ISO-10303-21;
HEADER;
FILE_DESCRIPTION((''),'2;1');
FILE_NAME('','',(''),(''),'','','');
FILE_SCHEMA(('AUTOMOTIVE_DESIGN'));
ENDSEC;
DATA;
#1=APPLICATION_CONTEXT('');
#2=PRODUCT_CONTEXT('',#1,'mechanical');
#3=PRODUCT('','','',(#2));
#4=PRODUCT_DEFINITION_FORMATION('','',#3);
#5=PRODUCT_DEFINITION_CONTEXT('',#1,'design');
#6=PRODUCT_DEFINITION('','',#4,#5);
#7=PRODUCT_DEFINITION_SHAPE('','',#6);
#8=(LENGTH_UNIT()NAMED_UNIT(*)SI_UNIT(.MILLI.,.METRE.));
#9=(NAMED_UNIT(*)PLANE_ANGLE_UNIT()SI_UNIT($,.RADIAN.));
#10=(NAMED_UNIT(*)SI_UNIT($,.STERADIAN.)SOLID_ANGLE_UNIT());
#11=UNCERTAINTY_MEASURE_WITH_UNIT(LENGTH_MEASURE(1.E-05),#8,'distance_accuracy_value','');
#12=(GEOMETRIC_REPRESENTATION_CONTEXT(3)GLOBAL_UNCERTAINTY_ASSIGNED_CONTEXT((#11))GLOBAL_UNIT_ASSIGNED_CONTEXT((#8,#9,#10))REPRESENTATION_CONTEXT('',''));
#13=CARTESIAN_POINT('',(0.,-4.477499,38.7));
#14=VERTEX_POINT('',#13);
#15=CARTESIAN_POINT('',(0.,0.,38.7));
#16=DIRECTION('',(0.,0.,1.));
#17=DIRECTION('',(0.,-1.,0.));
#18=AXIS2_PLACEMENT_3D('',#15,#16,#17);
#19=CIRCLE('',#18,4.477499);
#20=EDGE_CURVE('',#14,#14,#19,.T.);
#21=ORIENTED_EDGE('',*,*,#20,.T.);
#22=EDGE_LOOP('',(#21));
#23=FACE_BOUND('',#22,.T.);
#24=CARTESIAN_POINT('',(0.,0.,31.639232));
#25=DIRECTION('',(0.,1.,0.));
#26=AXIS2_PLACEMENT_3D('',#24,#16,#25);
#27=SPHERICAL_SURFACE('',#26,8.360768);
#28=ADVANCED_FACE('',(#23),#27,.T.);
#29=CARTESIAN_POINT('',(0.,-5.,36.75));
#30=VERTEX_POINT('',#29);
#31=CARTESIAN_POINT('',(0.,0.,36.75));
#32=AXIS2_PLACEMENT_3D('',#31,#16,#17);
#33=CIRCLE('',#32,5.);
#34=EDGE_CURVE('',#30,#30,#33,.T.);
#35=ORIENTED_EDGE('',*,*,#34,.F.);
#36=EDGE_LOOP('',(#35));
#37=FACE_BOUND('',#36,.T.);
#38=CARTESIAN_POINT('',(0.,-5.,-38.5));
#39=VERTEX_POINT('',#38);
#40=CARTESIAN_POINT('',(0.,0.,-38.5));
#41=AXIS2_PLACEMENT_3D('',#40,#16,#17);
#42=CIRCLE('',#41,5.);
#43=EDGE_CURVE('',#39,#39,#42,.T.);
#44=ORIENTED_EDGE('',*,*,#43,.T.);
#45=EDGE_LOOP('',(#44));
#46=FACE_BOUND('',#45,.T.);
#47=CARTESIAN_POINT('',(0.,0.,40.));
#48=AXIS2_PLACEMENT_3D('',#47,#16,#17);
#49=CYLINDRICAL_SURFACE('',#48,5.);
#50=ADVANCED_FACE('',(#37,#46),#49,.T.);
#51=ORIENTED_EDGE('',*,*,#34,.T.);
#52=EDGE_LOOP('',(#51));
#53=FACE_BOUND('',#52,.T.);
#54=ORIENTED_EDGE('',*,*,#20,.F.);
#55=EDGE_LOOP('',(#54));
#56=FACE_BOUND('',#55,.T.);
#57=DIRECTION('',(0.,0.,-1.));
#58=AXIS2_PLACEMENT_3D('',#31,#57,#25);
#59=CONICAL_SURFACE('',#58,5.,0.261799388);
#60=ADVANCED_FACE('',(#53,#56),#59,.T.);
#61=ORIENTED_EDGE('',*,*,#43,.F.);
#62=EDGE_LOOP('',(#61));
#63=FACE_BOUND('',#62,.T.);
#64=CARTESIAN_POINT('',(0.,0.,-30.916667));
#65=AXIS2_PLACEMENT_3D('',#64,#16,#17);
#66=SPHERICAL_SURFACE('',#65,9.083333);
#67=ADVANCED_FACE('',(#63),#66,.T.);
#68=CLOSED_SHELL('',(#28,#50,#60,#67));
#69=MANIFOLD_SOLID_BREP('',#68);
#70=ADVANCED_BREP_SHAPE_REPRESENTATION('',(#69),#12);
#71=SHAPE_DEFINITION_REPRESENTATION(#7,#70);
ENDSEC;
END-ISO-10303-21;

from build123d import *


with BuildPart() as part:
    # Sketch3 → Revolve1 (revolve)
    with BuildSketch(Plane(origin=(0, 0, 0), x_dir=(0, 0, -1), z_dir=(1, 0, 0))):
        with BuildLine():
            Line((-40, 0), (40, 0))
            ThreePointArc((40, 0), (39.616922091, 2.610076627), (38.5, 5))
            Line((38.5, 5), (-36.75, 5))
            Line((-36.75, 5), (-38.7, 4.477499075))
            ThreePointArc((-38.7, 4.477499075), (-39.668425132, 2.331201298), (-40, 0))
        make_face()
    revolve(axis=Axis((0, 0, 40), (0, 0, -1)))


solid = part.part
